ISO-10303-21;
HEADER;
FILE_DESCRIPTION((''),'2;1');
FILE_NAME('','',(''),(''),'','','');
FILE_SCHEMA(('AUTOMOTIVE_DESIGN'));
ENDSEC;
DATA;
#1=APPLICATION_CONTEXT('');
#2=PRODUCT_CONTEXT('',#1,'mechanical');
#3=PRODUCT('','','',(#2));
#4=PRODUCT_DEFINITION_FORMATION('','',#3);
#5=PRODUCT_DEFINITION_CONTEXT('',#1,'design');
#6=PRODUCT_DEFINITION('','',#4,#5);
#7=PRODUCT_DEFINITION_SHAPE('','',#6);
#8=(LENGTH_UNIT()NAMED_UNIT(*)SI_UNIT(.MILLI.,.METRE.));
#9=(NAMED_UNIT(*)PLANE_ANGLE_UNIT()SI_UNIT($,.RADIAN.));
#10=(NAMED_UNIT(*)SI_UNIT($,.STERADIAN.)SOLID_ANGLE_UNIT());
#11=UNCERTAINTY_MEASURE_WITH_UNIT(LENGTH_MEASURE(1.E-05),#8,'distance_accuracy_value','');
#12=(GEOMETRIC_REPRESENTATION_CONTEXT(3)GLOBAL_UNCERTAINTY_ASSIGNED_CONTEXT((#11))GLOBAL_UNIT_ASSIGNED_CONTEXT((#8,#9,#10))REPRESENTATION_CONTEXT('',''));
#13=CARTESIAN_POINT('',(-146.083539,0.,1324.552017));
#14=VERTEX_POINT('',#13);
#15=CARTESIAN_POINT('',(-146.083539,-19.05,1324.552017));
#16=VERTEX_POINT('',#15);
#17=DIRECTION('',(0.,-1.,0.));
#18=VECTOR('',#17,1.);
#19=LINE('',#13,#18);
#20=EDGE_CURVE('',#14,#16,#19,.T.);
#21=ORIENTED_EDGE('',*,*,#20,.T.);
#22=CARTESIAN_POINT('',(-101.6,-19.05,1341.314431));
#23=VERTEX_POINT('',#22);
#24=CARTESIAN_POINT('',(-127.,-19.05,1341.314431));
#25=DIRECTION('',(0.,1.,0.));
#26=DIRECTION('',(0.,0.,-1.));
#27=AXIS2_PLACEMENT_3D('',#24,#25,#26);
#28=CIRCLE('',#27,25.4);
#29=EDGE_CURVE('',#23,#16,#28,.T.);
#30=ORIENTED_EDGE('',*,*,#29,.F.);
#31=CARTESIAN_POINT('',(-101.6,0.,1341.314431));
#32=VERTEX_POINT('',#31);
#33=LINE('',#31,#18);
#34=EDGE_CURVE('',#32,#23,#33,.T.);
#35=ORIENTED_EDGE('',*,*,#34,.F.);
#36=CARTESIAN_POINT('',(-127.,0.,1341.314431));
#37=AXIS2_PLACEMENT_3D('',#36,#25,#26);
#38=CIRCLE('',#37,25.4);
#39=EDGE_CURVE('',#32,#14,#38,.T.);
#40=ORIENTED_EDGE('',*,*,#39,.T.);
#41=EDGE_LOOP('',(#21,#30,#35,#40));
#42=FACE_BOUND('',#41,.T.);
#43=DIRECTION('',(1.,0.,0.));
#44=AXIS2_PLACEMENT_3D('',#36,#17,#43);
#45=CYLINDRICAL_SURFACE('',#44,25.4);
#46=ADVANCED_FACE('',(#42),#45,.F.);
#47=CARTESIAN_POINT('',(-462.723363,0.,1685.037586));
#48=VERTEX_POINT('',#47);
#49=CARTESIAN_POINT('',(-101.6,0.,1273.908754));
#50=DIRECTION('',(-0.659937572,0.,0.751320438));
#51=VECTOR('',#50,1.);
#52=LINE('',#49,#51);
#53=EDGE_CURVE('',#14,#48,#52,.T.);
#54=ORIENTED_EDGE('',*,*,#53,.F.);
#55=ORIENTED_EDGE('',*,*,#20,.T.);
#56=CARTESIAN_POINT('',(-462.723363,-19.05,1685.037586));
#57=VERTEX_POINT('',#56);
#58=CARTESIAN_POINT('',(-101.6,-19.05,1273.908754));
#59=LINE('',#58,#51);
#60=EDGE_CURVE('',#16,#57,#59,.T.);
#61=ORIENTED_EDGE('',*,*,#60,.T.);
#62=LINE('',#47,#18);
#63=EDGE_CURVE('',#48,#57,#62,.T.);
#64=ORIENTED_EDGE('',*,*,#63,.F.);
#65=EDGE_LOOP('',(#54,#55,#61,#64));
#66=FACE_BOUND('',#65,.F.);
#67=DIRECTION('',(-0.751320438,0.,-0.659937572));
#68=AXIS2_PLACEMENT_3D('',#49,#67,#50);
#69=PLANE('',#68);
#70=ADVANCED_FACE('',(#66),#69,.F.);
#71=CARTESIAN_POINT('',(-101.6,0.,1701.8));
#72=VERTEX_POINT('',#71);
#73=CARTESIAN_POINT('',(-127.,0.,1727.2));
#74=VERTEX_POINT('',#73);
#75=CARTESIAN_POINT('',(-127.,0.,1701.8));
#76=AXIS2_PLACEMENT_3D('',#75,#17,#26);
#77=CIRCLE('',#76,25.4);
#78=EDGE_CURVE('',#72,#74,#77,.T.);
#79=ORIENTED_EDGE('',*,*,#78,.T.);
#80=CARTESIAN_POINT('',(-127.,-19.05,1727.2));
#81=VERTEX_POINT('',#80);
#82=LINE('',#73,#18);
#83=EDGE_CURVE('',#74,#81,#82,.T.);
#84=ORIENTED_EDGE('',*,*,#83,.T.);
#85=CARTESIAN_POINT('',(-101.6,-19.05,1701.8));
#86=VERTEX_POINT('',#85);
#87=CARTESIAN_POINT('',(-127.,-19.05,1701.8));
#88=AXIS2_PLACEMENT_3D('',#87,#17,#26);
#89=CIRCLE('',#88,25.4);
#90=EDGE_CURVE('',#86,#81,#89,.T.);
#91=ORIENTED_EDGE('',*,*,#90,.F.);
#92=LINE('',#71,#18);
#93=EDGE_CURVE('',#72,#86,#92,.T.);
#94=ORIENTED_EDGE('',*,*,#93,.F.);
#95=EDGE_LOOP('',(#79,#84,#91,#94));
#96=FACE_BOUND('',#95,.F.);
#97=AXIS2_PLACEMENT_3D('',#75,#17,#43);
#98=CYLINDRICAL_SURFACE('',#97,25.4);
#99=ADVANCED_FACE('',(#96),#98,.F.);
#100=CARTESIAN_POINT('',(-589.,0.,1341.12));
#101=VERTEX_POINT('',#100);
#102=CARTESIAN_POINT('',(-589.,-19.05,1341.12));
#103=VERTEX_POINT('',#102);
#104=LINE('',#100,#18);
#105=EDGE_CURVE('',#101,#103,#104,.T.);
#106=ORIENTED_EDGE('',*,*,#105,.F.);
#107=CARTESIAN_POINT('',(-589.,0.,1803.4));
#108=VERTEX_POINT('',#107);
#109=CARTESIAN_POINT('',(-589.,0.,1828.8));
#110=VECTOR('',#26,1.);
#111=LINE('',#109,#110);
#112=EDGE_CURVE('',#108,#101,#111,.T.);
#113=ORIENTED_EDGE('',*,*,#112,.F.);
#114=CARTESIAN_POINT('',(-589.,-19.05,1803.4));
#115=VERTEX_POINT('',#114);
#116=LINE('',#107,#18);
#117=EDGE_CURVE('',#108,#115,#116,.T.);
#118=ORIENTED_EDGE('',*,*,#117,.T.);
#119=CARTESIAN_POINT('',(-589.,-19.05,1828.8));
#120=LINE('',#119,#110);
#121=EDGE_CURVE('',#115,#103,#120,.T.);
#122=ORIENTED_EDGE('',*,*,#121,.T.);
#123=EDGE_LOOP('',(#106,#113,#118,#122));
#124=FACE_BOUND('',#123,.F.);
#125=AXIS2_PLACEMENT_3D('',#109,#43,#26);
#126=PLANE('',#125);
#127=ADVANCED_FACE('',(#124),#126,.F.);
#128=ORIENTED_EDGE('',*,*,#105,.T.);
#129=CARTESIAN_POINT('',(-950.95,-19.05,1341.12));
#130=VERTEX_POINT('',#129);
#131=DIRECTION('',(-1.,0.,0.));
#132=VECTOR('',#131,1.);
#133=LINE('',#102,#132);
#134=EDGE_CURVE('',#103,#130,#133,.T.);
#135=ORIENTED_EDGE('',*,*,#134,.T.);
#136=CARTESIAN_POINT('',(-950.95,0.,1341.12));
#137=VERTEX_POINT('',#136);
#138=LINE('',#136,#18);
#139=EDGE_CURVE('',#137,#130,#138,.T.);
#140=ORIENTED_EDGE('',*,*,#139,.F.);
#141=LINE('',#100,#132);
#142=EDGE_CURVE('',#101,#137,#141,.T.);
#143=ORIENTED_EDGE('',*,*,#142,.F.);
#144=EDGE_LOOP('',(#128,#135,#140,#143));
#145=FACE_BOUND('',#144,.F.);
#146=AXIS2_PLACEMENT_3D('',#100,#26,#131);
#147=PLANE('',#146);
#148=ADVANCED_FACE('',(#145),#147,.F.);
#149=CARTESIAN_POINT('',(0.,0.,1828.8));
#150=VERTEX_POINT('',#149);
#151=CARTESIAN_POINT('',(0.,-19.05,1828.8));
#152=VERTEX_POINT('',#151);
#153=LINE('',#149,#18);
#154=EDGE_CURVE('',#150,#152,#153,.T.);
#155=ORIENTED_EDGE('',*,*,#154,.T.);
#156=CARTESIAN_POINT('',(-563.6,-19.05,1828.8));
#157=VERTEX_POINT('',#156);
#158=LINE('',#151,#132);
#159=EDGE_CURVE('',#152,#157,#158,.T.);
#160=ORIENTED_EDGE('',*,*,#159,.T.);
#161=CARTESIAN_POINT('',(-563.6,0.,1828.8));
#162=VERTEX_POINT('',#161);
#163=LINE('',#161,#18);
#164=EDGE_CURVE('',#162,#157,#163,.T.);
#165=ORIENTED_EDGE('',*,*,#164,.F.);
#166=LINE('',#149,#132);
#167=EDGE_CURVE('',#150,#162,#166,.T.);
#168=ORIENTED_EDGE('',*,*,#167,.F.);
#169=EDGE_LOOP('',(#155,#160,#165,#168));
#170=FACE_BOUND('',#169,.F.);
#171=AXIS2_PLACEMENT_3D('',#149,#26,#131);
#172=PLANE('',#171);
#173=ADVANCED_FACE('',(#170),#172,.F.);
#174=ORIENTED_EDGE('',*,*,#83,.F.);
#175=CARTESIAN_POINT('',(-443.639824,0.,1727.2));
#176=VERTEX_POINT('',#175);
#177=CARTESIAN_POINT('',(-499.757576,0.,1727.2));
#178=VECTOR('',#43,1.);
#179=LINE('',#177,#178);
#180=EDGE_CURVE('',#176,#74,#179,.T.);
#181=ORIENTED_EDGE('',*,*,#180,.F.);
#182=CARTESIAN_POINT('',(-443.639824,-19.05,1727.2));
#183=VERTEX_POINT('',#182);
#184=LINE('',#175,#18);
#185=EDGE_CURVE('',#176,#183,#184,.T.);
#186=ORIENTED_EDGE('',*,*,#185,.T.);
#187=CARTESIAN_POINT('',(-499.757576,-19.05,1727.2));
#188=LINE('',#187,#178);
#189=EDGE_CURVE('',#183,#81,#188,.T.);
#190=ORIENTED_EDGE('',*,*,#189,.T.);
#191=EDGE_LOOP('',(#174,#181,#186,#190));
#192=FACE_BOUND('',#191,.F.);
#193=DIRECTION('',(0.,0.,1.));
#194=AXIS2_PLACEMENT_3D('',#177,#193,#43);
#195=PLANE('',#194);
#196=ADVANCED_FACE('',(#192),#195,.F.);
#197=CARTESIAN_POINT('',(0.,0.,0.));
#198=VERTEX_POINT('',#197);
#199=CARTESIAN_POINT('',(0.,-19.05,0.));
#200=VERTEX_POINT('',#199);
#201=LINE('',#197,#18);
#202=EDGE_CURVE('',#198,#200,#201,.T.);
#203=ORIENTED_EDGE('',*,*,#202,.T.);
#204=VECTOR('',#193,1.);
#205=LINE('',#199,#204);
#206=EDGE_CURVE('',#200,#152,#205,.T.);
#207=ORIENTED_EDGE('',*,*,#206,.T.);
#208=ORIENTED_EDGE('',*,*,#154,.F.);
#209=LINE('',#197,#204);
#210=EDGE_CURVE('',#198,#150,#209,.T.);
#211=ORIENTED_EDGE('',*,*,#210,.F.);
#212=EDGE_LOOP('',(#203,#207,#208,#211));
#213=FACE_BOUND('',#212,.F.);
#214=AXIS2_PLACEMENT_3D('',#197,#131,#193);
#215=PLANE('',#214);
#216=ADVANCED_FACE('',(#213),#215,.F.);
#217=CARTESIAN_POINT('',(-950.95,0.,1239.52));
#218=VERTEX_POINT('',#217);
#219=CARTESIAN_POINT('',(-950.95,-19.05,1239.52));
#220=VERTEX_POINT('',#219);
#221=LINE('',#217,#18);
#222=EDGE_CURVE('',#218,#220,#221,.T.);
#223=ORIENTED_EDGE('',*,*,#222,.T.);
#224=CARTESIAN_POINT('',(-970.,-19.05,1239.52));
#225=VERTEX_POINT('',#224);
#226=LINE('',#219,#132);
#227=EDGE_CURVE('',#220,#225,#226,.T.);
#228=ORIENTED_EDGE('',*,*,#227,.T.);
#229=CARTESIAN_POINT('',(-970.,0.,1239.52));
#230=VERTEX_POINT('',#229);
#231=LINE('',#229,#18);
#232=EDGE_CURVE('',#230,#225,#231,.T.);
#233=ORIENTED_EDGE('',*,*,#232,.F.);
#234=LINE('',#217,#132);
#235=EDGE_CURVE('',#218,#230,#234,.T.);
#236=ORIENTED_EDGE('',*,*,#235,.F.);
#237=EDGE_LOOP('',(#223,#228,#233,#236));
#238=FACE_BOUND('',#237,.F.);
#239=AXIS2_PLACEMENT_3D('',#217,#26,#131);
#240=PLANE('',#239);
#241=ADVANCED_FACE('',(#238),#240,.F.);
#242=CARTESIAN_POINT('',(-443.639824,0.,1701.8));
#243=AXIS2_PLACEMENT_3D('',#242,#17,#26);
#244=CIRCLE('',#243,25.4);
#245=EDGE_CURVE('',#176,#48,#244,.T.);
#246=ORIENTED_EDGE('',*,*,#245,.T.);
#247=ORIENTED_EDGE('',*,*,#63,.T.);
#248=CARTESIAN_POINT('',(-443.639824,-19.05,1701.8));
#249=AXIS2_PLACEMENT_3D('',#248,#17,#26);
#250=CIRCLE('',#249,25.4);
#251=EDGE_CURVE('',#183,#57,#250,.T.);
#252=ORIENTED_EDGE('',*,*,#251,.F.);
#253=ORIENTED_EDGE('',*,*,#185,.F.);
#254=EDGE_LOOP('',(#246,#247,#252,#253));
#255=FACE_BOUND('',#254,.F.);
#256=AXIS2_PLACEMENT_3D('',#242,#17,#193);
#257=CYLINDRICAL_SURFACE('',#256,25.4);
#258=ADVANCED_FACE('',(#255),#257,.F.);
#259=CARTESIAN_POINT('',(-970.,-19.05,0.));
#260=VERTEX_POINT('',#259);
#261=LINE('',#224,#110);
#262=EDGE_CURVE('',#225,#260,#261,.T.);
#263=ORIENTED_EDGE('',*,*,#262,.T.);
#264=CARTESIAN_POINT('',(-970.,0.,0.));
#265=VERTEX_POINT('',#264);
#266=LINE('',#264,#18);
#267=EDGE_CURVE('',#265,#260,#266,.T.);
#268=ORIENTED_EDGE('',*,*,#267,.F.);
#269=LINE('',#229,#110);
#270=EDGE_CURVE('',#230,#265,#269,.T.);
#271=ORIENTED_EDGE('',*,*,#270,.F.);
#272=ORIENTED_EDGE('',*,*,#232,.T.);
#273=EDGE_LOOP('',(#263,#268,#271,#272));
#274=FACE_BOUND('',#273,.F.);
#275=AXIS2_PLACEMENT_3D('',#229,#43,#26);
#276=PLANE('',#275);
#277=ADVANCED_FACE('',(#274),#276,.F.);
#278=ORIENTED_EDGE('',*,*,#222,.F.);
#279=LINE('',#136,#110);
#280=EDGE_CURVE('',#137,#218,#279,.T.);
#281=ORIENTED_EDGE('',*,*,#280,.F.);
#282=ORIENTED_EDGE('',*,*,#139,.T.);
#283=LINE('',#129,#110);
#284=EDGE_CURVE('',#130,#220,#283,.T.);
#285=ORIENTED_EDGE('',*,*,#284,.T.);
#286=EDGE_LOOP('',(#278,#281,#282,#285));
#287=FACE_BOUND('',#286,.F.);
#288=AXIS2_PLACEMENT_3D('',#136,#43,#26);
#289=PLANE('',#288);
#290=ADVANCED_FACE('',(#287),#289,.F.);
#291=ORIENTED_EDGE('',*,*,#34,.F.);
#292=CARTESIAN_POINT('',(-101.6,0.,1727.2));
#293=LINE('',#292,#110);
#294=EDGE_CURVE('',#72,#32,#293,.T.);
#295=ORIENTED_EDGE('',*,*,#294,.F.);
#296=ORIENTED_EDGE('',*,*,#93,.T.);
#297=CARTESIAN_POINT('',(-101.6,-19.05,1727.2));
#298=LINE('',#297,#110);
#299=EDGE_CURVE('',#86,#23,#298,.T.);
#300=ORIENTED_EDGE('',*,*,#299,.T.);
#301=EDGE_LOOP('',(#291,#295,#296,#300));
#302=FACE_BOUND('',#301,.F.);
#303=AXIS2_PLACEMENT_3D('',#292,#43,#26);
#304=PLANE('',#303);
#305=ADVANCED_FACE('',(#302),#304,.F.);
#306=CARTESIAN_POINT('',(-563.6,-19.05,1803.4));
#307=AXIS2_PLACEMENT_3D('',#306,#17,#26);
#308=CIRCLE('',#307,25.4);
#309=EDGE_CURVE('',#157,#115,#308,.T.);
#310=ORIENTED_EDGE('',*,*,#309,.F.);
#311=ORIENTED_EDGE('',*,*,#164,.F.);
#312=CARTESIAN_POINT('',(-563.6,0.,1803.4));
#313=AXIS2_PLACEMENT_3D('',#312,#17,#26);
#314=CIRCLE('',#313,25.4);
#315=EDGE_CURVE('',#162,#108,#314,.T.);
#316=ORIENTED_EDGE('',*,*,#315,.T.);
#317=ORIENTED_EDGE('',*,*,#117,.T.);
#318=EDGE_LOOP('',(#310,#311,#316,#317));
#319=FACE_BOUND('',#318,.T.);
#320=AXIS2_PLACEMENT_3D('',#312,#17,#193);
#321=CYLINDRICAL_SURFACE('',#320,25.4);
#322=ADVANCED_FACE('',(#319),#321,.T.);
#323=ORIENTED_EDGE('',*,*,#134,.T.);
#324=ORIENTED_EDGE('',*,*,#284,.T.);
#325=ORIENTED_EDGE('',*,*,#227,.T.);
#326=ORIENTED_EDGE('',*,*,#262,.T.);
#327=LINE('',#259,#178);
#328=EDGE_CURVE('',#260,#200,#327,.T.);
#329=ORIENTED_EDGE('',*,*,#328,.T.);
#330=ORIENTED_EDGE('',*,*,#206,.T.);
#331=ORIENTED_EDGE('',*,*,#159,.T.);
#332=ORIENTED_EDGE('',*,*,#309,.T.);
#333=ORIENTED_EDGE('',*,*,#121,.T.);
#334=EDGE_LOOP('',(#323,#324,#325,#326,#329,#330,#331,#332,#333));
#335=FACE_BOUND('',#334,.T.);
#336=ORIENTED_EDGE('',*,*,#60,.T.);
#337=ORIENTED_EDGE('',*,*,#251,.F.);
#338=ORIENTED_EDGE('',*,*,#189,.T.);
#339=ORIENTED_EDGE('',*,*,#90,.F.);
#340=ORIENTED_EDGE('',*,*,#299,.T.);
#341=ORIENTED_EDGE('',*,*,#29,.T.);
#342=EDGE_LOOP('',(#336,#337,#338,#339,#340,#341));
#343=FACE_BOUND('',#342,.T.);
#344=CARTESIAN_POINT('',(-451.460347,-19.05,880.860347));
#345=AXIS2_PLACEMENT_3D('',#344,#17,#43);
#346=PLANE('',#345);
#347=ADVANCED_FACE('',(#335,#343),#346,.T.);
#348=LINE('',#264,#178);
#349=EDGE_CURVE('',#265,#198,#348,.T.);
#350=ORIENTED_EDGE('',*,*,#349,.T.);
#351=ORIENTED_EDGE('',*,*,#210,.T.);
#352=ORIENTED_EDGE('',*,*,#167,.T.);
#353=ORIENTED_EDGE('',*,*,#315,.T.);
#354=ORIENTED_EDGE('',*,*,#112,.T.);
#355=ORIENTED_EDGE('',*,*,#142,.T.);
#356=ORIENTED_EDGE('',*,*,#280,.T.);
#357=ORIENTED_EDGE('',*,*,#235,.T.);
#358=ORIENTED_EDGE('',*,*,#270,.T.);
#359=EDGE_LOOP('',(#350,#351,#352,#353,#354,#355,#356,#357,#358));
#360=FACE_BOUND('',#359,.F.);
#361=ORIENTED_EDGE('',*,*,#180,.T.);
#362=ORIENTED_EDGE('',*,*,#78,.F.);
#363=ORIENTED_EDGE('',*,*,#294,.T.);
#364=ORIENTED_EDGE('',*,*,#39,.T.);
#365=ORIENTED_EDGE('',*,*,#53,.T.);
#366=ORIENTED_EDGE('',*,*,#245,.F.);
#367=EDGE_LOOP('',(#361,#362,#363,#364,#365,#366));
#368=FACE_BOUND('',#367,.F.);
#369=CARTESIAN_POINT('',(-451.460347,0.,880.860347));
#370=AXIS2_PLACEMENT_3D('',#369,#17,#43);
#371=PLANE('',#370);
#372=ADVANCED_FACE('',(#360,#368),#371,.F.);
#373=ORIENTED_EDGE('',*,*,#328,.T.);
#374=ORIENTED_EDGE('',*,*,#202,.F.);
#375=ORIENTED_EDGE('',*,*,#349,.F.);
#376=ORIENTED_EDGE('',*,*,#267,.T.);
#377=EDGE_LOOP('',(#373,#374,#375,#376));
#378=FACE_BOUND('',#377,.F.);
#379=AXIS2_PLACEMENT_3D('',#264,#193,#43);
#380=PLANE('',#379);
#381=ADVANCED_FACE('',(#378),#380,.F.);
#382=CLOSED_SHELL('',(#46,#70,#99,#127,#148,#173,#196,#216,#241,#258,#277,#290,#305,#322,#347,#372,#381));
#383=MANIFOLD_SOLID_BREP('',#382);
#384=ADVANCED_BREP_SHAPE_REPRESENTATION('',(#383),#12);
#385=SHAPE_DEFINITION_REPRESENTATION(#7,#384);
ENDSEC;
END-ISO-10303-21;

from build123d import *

# Parameters (mm, degrees)
F1_DEPTH = 19.05
F2_R     = 25.4


with BuildPart() as f1:
    # F0 (on Front) → F1 (new body)
    with BuildSketch(Plane.XZ):
        Polygon((-970, 0), (0, 0), (0, 1158.24), (0, 1828.8), (-589, 1828.8), (-589, 1341.12), (-950.95, 1341.12), (-950.95, 1239.52), (-970, 1239.52), align=None)
        Polygon((-101.6, 1273.908754), (-499.757576, 1727.2), (-101.6, 1727.2), align=None, mode=Mode.SUBTRACT)
    extrude(amount=F1_DEPTH)

    # F2
    f2_edges = [f1.edges().sort_by_distance(p)[0] for p in [
        (-499.757576, -9.525, 1727.2),
        (-101.6, -9.525, 1727.2),
        (-101.6, -9.525, 1273.908754),
        (-589, -9.525, 1828.8),
    ]]
    fillet(f2_edges, radius=F2_R)


solid = f1.part
